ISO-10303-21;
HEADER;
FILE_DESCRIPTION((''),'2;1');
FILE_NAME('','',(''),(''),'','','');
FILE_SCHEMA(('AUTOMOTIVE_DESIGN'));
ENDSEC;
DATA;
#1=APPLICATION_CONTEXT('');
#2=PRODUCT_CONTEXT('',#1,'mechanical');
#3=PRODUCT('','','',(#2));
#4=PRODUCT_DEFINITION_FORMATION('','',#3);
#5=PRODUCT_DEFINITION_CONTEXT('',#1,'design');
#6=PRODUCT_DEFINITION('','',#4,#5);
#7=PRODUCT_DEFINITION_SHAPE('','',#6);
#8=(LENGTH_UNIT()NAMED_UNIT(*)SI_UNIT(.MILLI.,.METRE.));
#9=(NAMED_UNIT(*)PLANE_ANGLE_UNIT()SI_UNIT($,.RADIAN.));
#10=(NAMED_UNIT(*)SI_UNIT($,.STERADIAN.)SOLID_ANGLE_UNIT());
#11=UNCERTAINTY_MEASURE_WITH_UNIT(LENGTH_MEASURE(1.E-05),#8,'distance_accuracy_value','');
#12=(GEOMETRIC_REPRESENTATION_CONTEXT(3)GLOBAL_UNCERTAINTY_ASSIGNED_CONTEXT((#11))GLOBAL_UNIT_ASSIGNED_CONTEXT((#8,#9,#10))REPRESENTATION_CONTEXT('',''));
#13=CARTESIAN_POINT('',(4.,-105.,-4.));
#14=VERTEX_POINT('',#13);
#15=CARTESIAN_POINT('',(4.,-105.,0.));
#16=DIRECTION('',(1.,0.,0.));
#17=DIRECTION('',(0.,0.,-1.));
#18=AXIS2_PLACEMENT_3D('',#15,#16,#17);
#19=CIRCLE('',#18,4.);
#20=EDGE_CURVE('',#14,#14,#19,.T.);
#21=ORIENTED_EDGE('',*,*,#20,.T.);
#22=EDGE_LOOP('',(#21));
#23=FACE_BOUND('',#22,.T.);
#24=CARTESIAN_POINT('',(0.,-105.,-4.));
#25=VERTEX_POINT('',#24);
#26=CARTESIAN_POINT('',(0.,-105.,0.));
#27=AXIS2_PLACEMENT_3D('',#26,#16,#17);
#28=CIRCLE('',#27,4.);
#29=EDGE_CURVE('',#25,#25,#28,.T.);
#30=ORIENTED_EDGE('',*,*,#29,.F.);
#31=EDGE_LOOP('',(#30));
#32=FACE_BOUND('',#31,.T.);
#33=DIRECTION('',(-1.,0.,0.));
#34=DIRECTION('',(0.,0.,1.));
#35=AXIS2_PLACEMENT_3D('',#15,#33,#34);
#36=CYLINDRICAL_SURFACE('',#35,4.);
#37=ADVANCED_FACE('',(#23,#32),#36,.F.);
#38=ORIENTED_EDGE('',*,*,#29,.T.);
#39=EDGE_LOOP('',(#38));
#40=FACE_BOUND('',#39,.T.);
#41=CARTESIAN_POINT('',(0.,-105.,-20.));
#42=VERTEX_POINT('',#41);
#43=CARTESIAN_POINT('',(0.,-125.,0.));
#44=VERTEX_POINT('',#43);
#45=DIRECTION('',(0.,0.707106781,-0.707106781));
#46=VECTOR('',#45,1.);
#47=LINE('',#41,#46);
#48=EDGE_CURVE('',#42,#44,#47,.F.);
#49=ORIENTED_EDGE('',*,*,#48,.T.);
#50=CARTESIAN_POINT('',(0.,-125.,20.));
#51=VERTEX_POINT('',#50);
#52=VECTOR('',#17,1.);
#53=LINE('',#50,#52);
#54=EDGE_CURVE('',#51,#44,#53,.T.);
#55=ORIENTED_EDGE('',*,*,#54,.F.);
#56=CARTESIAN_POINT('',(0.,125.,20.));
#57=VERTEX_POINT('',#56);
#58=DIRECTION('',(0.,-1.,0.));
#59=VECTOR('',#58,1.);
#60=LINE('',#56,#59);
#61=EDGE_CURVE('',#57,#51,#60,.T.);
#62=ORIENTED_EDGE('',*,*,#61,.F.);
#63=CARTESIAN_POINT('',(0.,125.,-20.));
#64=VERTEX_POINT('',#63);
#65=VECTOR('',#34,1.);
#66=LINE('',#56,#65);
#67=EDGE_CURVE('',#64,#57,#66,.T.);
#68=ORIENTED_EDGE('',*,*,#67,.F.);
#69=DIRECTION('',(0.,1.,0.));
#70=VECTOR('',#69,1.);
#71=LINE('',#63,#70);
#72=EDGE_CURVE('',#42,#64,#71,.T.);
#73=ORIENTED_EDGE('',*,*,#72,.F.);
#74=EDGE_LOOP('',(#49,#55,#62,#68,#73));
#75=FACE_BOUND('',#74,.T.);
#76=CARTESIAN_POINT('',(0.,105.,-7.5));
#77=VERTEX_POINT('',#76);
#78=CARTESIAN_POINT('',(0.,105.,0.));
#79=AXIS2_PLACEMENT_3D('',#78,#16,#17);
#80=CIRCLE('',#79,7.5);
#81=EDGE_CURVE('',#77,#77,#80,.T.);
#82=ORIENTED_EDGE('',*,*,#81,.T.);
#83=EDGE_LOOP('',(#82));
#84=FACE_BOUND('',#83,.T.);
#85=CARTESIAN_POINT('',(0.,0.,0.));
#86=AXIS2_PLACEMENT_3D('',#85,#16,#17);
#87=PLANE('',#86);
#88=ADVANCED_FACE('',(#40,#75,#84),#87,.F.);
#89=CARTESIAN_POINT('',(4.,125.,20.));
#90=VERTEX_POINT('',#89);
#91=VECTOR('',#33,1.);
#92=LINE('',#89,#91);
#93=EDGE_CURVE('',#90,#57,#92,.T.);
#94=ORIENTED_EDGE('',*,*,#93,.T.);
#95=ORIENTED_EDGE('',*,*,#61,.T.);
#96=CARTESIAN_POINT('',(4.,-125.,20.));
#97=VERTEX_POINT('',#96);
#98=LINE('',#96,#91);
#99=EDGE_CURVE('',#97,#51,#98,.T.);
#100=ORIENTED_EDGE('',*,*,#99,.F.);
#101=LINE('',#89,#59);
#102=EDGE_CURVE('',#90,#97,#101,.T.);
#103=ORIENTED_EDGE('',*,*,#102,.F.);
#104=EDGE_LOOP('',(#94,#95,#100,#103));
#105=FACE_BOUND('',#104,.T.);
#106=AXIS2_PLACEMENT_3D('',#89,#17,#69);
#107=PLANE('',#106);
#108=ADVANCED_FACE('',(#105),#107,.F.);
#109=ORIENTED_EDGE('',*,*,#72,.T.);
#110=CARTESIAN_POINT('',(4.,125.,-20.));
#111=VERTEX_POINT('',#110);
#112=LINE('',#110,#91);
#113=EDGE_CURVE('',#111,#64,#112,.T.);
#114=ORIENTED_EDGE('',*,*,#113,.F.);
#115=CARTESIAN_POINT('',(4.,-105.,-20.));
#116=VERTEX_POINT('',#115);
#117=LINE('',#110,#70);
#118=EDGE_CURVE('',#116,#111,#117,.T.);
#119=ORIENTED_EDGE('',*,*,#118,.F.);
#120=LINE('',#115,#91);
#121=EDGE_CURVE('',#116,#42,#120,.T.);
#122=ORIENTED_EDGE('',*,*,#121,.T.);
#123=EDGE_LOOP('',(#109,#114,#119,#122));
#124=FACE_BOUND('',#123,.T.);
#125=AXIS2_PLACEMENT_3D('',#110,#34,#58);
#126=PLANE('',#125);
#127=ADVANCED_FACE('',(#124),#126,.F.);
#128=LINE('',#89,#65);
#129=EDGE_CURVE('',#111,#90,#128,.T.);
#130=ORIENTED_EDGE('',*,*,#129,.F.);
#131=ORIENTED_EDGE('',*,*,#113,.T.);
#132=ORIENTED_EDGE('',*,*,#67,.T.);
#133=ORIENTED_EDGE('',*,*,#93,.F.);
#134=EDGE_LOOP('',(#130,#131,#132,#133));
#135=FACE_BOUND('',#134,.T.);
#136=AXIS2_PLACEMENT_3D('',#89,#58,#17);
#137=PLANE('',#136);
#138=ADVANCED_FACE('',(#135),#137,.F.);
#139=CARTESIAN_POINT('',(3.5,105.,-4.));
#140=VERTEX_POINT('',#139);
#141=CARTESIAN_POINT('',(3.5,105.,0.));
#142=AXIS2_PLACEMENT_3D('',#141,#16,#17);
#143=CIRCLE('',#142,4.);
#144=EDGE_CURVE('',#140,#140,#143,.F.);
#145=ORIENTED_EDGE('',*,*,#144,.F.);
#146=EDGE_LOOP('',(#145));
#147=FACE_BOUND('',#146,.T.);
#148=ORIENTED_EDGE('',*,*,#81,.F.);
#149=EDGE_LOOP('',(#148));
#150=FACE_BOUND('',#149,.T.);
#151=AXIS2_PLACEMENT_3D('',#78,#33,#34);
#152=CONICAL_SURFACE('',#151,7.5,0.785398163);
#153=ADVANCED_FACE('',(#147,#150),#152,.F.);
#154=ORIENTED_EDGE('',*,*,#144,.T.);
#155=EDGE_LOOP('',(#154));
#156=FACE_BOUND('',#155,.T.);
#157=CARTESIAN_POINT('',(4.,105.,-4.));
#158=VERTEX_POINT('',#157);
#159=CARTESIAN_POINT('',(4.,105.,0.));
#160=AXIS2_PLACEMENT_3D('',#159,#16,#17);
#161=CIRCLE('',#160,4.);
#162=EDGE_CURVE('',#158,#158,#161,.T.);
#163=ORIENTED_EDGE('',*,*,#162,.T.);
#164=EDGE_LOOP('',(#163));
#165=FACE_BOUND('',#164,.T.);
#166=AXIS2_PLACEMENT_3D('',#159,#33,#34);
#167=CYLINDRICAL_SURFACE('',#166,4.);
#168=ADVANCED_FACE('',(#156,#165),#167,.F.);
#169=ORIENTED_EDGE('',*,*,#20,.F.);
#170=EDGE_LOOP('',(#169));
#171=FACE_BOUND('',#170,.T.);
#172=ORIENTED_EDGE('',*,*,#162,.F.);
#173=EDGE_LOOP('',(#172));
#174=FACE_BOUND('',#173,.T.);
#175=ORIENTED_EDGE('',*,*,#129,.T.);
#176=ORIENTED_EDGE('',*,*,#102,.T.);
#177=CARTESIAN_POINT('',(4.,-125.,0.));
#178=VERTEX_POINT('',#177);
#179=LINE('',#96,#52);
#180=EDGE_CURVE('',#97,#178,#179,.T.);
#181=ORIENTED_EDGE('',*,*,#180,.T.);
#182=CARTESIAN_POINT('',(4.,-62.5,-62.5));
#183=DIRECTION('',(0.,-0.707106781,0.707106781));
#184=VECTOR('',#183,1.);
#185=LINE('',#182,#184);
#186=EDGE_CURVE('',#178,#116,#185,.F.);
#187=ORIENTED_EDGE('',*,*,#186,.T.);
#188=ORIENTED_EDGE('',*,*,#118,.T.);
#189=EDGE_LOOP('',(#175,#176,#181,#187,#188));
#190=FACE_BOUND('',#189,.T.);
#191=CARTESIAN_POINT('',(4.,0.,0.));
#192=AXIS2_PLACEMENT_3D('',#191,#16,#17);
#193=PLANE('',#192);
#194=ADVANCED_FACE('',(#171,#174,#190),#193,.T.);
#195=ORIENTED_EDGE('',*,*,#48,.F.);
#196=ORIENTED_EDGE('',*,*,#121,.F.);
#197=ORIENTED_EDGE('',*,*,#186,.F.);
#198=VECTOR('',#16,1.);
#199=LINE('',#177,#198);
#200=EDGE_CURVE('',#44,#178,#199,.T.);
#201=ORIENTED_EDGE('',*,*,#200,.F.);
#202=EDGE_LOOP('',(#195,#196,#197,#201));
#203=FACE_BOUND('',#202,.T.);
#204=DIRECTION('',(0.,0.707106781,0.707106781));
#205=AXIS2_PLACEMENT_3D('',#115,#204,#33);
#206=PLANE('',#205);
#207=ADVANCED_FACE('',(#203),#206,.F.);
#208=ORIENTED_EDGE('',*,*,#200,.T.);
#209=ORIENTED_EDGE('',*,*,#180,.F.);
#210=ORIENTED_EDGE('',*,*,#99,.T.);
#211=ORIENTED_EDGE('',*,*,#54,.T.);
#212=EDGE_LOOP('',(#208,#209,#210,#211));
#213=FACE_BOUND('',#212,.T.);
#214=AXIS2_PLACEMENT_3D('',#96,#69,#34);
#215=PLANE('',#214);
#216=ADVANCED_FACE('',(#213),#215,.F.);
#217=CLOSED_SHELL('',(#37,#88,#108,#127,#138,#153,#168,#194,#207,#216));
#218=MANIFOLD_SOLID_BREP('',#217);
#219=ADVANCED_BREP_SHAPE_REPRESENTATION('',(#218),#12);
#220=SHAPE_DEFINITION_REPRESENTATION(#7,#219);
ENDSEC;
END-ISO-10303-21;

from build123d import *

# Parameters (mm, degrees)
SKETCH1_W           = 40
SKETCH1_H           = 250
SKETCH1_R           = 4
BOSS_EXTRUDE1_DEPTH = 4
CHAMFER1_SIZE       = 3.5
CHAMFER3_SIZE       = 20


with BuildPart() as part:
    # Sketch1 → Boss-Extrude1 (new body)
    with BuildSketch(Plane(origin=(0, 0, 0), x_dir=(0, 0, -1), z_dir=(1, 0, 0))):
        Rectangle(SKETCH1_W, SKETCH1_H)
        with Locations((0, 105)):
            Circle(SKETCH1_R, mode=Mode.SUBTRACT)
        with Locations((0, -105)):
            Circle(SKETCH1_R, mode=Mode.SUBTRACT)
    extrude(amount=BOSS_EXTRUDE1_DEPTH)

    # Chamfer1
    chamfer1_edges = [part.edges().sort_by_distance(p)[0] for p in [
        (0, 105, 4),
    ]]
    chamfer(chamfer1_edges, length=CHAMFER1_SIZE)

    # Chamfer3
    chamfer3_edges = [part.edges().sort_by_distance(p)[0] for p in [
        (2, -125, -20),
    ]]
    chamfer(chamfer3_edges, length=CHAMFER3_SIZE)


solid = part.part
